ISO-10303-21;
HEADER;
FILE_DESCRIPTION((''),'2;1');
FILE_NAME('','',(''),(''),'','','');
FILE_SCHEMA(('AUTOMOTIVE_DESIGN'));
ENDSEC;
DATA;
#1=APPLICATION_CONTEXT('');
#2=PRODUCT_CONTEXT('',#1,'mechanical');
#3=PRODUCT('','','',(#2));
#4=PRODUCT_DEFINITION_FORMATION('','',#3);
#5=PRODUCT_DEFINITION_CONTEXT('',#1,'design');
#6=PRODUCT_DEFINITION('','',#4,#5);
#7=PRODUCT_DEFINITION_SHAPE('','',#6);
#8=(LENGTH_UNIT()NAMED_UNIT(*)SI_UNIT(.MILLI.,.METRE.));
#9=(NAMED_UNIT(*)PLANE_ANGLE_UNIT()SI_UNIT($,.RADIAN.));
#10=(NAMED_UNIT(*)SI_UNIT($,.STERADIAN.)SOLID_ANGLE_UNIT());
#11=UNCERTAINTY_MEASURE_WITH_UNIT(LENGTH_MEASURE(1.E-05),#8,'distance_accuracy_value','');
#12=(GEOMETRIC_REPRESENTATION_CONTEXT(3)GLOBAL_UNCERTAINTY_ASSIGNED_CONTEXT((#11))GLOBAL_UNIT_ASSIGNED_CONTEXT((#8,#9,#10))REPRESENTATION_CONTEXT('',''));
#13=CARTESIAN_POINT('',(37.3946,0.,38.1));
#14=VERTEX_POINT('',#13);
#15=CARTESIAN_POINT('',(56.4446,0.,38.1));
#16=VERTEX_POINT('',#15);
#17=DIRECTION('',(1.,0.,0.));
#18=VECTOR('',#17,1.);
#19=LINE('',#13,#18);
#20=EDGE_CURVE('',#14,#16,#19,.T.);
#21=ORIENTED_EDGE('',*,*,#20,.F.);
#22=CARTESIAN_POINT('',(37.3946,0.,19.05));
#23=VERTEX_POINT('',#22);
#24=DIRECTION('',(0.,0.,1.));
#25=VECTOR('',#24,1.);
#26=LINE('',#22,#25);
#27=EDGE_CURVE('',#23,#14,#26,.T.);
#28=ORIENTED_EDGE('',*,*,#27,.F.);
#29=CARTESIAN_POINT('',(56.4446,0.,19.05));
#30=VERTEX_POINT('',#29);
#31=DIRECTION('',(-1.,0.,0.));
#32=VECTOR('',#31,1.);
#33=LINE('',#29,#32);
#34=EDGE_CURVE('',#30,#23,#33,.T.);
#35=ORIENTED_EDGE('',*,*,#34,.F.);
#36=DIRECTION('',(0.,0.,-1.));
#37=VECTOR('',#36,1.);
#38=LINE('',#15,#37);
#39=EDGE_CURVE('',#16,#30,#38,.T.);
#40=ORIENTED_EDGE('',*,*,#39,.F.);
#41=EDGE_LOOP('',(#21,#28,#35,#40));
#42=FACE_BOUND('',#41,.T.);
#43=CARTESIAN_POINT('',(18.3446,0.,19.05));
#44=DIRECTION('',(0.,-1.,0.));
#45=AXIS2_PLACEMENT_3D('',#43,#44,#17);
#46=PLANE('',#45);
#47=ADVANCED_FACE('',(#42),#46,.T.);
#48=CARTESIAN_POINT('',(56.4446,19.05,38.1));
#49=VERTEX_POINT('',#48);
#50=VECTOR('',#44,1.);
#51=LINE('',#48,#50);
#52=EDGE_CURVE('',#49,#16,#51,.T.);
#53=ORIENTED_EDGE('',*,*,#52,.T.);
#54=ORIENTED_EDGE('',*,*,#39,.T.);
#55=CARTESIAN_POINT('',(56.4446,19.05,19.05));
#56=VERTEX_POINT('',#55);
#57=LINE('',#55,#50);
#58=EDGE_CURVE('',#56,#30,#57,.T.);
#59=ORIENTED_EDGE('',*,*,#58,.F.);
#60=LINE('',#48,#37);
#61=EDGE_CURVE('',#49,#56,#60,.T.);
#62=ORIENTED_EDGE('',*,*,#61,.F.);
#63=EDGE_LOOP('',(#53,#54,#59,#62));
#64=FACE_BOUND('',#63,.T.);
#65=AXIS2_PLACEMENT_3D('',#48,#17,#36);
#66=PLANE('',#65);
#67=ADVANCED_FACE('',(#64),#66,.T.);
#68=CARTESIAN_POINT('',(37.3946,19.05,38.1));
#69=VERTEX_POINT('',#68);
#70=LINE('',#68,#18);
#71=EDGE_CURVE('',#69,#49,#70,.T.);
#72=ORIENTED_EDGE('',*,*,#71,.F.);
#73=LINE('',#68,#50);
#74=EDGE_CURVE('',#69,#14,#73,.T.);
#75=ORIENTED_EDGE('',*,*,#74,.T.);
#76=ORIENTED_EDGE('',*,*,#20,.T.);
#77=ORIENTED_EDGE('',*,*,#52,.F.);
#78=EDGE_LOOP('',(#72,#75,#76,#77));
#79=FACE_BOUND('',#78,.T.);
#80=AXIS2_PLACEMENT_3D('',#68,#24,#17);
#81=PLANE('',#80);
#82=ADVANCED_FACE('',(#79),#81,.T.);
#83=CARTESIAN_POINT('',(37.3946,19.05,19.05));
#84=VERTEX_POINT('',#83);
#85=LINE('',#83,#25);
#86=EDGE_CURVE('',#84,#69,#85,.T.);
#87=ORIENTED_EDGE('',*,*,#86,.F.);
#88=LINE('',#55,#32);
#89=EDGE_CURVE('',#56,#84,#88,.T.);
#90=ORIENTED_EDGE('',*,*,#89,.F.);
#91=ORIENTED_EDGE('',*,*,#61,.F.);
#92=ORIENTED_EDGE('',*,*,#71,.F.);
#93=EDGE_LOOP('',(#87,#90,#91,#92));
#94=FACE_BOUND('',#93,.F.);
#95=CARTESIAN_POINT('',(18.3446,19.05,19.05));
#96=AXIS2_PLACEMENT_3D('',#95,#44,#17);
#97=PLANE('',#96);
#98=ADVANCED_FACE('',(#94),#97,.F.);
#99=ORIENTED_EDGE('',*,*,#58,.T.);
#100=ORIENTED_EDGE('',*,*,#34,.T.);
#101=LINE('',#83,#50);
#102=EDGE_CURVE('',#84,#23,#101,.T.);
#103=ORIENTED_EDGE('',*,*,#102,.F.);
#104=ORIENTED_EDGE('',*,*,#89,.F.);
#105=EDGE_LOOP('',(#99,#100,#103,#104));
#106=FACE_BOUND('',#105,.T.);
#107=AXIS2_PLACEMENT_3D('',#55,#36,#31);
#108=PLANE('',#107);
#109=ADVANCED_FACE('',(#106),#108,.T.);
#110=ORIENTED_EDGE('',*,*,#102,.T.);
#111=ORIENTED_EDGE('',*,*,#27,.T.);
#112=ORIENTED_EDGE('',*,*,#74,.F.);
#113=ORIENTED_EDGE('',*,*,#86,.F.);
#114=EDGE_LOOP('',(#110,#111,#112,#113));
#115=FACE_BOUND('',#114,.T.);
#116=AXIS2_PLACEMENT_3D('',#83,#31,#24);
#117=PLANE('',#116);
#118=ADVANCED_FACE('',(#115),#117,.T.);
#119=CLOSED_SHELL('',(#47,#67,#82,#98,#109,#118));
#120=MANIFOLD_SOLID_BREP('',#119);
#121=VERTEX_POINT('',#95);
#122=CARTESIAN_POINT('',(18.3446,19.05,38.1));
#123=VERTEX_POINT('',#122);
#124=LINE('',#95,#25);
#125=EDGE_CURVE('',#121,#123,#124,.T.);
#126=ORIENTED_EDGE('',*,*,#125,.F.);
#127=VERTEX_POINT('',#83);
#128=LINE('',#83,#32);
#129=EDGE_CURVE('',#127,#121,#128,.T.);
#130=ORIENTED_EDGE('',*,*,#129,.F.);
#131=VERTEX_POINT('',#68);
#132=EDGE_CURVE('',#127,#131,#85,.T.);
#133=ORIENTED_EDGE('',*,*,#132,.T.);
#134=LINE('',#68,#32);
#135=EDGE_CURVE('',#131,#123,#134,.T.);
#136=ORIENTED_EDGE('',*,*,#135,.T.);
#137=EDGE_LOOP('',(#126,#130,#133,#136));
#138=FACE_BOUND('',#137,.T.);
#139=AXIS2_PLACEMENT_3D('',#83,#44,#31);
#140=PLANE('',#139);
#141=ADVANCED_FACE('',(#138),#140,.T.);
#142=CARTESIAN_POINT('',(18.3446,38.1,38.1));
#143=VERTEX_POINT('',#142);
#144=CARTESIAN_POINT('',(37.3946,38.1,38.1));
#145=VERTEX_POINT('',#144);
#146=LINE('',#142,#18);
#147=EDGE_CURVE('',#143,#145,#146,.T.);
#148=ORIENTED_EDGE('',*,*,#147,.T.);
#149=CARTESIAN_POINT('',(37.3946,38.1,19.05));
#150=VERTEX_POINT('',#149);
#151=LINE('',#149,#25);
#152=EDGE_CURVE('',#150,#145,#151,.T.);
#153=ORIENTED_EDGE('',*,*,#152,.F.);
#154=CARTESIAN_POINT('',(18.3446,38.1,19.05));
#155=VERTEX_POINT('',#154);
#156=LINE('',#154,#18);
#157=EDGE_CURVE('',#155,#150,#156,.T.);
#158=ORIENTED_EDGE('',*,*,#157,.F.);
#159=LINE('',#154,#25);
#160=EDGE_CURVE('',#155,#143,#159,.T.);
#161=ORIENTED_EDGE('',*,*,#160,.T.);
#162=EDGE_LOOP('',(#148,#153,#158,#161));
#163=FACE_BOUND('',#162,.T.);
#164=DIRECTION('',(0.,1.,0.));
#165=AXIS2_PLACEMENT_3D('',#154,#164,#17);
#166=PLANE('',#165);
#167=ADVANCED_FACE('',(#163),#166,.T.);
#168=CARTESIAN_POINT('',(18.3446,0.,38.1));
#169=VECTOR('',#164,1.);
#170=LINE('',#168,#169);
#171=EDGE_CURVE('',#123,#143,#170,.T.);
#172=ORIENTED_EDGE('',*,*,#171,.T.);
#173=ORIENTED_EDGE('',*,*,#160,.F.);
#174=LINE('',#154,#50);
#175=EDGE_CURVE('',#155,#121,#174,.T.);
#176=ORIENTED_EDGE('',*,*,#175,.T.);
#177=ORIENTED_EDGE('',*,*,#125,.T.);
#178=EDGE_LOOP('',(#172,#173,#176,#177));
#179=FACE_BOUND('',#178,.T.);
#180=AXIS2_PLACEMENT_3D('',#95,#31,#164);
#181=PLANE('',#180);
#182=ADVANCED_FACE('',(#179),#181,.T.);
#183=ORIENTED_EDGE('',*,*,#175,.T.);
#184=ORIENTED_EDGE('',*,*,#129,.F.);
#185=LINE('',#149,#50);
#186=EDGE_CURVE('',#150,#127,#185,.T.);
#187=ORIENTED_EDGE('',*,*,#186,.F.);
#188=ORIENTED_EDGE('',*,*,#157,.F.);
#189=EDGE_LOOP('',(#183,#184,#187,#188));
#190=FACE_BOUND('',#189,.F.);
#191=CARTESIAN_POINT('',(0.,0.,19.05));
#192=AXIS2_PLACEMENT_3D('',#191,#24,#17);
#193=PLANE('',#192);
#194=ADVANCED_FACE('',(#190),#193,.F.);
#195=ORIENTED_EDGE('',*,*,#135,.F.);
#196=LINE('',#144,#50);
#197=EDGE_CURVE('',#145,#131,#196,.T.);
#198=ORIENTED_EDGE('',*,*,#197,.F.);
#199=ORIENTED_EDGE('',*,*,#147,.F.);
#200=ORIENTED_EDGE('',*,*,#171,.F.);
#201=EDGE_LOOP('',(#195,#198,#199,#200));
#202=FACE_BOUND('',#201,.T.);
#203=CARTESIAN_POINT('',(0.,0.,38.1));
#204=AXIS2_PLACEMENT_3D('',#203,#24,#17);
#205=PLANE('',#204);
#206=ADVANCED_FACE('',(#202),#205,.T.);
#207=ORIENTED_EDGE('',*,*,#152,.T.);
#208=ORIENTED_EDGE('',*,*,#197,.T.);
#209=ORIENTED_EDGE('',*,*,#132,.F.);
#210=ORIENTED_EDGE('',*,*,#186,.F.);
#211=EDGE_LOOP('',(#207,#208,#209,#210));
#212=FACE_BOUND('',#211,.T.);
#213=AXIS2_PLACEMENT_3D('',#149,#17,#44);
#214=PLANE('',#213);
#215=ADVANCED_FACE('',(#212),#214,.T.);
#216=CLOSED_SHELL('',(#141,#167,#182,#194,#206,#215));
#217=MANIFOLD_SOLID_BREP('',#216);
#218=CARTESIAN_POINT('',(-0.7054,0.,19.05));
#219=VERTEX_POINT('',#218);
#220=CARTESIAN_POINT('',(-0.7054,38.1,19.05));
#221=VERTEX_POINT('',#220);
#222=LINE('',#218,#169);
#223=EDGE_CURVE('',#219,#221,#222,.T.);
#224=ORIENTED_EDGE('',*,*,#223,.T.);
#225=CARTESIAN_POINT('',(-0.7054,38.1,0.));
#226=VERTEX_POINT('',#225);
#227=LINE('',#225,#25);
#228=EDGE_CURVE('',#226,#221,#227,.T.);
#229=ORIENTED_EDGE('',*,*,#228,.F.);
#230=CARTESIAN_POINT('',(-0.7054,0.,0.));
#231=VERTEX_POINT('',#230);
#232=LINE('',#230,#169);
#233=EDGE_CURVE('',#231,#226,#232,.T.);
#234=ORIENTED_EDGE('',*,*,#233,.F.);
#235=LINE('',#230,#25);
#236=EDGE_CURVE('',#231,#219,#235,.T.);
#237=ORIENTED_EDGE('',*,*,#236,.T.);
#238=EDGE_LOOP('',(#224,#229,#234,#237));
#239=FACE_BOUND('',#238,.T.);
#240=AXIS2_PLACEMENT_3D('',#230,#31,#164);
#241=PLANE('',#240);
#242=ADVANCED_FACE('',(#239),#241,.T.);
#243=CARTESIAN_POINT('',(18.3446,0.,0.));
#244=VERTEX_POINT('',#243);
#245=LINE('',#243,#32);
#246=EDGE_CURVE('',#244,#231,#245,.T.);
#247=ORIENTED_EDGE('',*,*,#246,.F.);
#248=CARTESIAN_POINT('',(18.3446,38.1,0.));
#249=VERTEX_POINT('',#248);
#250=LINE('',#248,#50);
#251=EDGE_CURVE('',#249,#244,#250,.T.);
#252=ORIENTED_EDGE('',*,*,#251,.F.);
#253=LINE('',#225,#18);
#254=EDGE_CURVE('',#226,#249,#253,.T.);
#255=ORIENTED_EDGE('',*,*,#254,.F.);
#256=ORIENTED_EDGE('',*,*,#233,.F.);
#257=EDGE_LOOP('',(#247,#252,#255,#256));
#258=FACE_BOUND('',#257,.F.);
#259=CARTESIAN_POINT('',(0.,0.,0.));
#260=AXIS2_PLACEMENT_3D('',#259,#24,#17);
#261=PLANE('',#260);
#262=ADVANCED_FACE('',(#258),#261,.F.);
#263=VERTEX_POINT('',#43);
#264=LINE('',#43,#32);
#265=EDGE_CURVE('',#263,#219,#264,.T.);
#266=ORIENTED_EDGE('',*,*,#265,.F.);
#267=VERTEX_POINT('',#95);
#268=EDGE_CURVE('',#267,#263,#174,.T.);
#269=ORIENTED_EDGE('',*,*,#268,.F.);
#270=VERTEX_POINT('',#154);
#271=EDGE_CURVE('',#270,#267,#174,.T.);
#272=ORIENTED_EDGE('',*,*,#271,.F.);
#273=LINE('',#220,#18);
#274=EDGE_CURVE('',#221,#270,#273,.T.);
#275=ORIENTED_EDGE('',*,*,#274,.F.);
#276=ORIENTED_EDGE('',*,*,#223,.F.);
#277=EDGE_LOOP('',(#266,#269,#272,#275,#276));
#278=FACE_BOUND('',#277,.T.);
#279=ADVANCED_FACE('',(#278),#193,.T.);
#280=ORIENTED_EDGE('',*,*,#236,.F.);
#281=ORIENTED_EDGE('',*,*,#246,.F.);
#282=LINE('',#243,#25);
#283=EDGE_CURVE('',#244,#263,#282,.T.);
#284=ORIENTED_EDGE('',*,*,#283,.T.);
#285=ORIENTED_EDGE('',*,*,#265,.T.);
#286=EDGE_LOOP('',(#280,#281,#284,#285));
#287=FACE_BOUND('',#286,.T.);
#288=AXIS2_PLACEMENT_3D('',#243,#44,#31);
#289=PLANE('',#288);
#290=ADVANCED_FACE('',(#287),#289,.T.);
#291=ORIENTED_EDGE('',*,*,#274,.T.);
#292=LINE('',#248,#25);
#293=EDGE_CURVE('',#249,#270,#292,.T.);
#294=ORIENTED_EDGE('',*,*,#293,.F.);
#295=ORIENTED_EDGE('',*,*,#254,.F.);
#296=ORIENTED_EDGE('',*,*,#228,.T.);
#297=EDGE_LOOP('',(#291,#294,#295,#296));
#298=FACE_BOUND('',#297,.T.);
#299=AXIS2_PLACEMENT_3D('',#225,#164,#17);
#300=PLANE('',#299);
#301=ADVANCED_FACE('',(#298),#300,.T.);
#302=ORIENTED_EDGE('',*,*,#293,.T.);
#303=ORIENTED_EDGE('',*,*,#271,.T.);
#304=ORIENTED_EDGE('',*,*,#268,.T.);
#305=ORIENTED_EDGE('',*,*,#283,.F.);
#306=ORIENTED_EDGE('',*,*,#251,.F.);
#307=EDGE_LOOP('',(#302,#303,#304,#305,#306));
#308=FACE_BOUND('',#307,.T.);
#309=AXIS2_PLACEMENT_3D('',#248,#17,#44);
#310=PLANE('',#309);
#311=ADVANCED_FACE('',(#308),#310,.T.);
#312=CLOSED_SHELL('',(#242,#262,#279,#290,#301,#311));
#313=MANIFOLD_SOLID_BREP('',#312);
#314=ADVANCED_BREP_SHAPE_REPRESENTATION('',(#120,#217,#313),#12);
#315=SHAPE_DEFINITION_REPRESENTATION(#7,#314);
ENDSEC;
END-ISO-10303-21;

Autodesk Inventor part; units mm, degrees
ref_plane "YZ Plane" through (0, 0, 0) normal (1, 0, 0) x (0, 1, 0)
ref_plane "XZ Plane" through (0, 0, 0) normal (0, 1, 0) x (-1, 0, 0)
ref_plane "XY Plane" through (0, 0, 0) normal (0, 0, 1) x (1, 0, 0)
sketch "Sketch1" plane through (0, 0, 0) normal (0, 0, 1) x (1, 0, 0)
  line L0 (-0.7054, 38.1) -> (18.3446, 38.1)
  line L1 (18.3446, 38.1) -> (18.3446, 0)
  line L2 (18.3446, 0) -> (-0.7054, 0)
  line L3 (-0.7054, 0) -> (-0.7054, 38.1)
  point P0 (0, 0)
  dimension "d0" = 38.1
  dimension "d1" = 19.05
extrude "Extrusion1" add sketch "Sketch1" along normal blind 19.05
sketch "Sketch2" plane through (0, 0, 19.05) normal (0, 0, 1) x (1, 0, 0)
  line L0 (18.3446, 0) -> (18.3446, 38.1) projected
  line L1 (18.3446, 38.1) -> (37.3946, 38.1)
  line L2 (37.3946, 38.1) -> (37.3946, 19.05)
  line L3 (37.3946, 19.05) -> (18.3446, 19.05)
  line L4 (18.3446, 19.05) -> (18.3446, 38.1)
  point P0 (0, 0)
  dimension "d4" = 19.05
  dimension "d5" = 19.05
extrude "Extrusion2" add sketch "Sketch2" along normal blind 19.05
sketch "Sketch3" plane through (18.3446, 19.05, 19.05) normal (0, -1, 0) x (1, 0, 0)
  line L0 (19.05, 0) -> (19.05, 19.05) projected
  line L1 (19.05, 19.05) -> (38.1, 19.05)
  line L2 (38.1, 19.05) -> (38.1, 0)
  line L3 (38.1, 0) -> (19.05, 0)
  line L4 (19.05, 0) -> (19.05, 19.05)
  point P0 (-18.3446, -19.05)
  dimension "d8" = 19.05
  dimension "d9" = 19.05
extrude "Extrusion3" add sketch "Sketch3" along normal blind 19.05
properties part number "Light Blue Part" material "Wood (Maple)"
